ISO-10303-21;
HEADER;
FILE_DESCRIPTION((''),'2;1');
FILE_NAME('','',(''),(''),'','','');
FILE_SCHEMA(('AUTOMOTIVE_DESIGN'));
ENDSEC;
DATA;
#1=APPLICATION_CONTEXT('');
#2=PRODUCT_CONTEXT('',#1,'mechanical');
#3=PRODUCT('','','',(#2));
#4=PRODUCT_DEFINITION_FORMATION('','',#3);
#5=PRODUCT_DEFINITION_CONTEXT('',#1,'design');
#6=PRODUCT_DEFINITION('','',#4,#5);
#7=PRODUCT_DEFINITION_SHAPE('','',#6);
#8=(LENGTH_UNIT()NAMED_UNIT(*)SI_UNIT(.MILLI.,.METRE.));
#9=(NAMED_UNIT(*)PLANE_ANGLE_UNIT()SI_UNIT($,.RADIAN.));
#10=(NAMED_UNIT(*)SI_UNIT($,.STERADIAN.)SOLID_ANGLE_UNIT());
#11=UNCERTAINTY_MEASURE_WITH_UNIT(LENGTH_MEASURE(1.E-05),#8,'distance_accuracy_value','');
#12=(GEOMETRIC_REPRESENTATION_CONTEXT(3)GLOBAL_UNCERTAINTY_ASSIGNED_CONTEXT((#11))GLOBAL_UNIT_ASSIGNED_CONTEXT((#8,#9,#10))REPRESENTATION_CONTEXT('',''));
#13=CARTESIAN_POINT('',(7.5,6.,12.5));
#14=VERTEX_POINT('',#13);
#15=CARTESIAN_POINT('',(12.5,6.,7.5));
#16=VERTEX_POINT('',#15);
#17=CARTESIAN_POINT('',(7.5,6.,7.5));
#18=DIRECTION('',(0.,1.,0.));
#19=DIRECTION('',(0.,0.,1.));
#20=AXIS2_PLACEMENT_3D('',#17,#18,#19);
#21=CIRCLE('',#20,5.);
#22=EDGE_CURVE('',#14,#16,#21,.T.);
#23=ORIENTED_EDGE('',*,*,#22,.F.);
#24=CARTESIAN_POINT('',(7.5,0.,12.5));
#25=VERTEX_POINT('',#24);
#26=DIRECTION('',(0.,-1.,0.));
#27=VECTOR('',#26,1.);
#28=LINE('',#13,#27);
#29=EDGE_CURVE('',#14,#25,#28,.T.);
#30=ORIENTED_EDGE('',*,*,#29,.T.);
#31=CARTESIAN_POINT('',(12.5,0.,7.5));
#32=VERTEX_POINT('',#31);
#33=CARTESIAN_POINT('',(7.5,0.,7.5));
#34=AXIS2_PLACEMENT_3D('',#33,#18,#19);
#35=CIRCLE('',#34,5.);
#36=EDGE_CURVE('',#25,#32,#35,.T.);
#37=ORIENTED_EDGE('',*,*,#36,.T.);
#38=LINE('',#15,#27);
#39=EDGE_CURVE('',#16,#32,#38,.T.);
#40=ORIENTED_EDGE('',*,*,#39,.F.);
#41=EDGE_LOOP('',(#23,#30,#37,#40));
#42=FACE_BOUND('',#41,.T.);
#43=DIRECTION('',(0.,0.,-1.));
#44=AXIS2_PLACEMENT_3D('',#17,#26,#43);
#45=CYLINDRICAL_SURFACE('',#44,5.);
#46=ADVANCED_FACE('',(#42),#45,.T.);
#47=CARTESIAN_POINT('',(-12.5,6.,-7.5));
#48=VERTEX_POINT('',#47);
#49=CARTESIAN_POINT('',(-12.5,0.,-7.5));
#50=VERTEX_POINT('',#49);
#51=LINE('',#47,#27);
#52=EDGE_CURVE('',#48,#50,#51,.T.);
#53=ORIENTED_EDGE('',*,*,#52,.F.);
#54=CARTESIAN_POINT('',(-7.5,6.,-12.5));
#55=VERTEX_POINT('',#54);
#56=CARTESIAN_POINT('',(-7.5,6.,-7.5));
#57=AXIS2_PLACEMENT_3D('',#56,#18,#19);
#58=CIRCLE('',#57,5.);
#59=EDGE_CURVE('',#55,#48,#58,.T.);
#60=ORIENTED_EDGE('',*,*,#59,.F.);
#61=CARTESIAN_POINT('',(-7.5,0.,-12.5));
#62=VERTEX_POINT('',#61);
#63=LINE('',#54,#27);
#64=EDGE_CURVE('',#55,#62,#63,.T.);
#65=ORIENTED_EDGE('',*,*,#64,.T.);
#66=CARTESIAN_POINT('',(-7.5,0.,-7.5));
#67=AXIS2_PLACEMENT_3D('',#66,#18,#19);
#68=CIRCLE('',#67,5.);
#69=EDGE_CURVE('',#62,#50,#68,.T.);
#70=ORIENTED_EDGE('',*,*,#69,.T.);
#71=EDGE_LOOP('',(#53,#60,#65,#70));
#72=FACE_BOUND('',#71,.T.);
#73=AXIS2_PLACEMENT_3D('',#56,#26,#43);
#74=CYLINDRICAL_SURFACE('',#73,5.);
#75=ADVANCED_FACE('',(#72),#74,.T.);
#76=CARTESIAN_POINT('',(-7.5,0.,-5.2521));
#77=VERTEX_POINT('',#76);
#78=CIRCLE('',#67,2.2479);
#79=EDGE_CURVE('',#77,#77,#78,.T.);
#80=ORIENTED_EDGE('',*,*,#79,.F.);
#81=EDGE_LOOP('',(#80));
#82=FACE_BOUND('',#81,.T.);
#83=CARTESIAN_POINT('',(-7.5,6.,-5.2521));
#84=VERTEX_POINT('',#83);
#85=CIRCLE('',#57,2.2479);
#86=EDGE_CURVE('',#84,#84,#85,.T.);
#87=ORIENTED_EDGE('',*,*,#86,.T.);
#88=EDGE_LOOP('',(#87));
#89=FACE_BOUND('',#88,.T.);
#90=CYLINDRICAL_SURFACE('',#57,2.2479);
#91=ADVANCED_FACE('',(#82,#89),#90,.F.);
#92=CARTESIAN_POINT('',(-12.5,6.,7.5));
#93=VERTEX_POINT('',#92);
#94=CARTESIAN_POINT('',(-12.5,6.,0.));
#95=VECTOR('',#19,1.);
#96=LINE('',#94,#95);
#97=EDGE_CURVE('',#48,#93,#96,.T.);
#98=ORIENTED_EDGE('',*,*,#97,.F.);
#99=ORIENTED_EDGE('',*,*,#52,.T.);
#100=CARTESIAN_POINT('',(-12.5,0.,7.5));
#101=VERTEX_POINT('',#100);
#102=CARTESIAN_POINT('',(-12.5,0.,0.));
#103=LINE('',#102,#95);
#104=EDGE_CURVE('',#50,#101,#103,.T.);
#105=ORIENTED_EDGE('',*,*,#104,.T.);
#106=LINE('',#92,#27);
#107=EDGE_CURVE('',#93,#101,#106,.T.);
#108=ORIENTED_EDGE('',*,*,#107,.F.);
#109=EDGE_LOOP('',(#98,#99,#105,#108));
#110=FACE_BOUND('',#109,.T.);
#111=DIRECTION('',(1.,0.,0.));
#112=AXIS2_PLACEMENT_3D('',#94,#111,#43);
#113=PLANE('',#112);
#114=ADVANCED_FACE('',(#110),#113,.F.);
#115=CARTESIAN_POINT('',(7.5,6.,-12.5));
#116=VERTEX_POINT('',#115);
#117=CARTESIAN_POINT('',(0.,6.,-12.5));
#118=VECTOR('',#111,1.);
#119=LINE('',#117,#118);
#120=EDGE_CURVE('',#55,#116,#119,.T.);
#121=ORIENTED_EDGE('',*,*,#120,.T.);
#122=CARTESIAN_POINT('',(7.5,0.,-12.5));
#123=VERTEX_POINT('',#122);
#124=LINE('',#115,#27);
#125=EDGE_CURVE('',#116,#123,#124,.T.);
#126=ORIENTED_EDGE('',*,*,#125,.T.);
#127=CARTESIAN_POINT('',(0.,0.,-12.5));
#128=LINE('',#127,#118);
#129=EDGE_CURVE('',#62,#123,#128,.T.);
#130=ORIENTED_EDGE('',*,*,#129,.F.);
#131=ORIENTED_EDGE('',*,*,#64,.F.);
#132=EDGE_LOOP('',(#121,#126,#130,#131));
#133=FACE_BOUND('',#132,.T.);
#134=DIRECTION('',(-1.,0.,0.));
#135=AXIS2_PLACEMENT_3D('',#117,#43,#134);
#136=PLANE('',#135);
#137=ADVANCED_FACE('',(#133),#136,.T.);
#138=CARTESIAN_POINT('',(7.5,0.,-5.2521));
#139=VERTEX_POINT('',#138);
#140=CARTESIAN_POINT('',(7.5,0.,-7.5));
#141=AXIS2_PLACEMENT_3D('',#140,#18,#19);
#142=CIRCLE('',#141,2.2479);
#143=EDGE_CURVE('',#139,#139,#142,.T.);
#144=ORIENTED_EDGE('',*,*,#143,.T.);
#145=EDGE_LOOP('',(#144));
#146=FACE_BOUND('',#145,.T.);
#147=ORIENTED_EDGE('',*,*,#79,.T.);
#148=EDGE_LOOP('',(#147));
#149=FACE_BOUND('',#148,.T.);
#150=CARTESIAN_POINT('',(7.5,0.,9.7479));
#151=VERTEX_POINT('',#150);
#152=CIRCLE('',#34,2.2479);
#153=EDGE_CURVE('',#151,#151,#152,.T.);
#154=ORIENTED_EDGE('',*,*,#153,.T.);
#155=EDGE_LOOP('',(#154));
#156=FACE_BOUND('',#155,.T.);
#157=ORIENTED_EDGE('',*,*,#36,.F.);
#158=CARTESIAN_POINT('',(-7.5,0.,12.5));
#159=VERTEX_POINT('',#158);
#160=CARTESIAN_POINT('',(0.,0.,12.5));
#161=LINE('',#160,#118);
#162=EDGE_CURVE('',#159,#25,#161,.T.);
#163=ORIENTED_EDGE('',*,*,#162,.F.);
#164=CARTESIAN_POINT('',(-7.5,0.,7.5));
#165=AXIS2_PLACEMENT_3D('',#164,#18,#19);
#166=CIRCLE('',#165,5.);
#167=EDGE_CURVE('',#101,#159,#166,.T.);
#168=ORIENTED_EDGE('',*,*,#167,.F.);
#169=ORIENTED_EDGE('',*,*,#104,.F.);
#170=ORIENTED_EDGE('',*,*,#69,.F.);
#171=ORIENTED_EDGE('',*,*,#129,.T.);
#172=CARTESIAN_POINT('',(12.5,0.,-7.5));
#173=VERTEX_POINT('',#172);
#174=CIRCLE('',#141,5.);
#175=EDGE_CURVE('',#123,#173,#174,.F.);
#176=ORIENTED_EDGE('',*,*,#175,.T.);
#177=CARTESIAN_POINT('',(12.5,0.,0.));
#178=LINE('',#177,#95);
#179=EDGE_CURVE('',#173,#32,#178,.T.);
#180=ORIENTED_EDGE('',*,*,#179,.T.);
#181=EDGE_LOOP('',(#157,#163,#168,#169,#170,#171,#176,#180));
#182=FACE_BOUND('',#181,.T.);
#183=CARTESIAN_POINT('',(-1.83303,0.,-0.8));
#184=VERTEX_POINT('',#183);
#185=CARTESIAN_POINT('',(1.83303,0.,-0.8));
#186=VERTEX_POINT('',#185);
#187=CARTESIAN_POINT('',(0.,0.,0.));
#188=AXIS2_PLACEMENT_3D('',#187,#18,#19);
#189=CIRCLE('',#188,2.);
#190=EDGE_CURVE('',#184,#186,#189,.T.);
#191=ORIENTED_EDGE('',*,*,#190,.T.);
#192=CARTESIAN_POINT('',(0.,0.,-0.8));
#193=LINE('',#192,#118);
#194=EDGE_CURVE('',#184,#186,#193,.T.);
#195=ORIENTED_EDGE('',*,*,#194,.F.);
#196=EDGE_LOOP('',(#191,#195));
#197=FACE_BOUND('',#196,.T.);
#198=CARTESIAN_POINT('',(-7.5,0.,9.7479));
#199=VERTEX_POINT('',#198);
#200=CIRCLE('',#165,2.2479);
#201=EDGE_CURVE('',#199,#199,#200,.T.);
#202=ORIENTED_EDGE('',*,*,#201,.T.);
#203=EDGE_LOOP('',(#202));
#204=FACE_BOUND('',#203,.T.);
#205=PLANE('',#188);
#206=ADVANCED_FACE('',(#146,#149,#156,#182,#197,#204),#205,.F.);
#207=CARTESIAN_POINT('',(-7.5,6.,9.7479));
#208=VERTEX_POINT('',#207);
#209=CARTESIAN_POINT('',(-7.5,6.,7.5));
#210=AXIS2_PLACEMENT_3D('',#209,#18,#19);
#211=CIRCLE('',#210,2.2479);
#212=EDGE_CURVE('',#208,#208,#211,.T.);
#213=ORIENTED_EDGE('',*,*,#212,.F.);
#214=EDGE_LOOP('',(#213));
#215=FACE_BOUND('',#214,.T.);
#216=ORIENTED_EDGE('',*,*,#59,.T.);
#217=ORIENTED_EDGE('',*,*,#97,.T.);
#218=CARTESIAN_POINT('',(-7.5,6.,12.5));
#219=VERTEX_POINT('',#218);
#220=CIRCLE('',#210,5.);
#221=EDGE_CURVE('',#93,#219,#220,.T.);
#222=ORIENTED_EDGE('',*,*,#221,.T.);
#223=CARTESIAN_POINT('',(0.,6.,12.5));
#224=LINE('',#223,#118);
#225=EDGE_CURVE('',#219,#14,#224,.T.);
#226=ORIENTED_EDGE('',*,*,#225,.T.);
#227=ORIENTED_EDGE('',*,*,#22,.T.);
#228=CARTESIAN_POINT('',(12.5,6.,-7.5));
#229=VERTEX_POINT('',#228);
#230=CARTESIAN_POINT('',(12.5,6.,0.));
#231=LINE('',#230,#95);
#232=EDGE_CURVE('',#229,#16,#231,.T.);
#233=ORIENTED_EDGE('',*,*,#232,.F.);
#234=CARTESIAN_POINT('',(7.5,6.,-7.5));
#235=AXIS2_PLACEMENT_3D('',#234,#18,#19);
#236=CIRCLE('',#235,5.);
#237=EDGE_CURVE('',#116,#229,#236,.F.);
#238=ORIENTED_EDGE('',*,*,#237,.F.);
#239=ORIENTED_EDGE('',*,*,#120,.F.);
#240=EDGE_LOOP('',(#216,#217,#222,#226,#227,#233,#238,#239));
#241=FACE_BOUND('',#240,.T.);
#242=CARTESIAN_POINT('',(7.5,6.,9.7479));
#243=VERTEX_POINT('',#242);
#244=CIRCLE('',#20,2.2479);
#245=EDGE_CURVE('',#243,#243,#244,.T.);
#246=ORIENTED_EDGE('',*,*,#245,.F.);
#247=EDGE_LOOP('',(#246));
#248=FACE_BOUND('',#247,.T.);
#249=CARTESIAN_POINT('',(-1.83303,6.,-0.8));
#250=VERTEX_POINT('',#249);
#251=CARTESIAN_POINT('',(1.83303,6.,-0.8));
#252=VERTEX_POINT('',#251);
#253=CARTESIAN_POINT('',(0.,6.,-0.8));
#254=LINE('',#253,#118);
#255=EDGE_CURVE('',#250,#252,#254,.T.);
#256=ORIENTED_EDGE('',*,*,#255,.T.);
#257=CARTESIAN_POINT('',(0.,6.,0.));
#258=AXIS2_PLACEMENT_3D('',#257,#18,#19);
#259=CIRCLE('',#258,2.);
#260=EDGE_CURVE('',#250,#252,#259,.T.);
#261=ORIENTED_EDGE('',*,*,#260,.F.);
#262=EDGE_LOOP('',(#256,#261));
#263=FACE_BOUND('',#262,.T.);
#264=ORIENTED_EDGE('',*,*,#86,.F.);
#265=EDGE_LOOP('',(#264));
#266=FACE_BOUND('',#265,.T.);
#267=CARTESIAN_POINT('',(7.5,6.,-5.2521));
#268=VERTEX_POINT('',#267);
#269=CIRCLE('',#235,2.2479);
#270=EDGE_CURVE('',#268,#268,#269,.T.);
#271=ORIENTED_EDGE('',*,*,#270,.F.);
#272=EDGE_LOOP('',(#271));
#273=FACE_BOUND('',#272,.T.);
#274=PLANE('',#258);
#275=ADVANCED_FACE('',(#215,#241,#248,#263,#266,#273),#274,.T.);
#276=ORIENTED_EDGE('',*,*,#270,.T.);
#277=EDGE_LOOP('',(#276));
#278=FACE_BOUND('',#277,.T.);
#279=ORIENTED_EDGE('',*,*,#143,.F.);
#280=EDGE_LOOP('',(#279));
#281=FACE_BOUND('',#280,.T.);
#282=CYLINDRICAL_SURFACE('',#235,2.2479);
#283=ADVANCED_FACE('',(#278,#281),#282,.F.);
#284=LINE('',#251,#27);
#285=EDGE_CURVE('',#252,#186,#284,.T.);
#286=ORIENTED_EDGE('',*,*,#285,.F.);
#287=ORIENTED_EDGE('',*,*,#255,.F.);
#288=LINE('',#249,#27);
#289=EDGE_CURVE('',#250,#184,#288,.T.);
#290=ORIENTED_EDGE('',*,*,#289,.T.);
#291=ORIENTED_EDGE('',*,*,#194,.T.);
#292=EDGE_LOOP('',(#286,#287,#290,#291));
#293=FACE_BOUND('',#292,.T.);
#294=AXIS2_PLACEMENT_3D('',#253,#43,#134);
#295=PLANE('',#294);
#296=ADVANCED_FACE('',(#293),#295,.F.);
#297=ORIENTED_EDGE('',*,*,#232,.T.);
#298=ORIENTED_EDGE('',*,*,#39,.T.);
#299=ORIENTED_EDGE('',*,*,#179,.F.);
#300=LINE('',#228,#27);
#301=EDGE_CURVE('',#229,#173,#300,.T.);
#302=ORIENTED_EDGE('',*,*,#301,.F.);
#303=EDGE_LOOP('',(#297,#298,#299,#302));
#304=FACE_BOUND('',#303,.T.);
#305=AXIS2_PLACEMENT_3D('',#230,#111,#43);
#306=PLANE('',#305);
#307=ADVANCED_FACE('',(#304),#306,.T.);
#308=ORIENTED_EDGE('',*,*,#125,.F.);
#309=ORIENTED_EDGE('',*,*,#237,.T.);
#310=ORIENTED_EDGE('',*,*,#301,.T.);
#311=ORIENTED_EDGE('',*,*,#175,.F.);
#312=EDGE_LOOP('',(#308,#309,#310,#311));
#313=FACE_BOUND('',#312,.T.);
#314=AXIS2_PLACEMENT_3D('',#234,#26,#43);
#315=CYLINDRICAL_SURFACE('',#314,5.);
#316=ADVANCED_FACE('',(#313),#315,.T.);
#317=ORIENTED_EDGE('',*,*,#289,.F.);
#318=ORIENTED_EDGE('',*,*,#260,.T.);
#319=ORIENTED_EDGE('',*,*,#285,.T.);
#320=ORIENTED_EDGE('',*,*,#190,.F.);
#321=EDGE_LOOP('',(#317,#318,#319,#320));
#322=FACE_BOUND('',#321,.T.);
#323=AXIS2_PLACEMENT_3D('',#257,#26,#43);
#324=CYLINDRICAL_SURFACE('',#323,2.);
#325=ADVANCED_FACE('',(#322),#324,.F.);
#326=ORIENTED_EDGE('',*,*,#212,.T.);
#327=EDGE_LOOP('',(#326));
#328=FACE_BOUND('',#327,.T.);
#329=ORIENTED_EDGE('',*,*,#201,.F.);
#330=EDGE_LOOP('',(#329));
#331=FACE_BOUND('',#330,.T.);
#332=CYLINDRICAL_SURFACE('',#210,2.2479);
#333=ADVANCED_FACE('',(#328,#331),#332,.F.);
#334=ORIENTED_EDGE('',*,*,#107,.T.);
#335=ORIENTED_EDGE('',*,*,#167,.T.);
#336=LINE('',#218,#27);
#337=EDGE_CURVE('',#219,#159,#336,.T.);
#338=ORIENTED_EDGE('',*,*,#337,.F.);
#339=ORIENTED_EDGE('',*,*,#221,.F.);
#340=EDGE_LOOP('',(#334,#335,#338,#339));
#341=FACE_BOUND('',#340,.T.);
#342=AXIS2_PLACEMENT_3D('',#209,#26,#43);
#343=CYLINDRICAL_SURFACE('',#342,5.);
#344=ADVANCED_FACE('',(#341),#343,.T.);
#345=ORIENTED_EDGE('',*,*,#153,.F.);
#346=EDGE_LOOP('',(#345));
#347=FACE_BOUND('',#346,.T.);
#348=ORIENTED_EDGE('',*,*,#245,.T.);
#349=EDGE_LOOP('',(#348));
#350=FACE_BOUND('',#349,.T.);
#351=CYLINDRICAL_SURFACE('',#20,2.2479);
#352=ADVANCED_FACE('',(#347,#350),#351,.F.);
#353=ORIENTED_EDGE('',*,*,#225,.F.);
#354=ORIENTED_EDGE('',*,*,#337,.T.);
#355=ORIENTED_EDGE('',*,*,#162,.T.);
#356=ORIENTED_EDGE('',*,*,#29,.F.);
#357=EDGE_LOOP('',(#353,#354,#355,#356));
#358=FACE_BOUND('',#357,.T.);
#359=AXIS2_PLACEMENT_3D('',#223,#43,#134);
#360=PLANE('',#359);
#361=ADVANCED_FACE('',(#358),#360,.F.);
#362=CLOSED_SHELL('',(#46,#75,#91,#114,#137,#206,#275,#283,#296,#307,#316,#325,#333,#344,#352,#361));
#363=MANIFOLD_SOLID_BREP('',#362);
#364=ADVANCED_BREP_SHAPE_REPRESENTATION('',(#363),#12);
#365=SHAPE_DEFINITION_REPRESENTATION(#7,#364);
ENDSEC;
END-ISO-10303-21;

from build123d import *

# Parameters (mm, degrees)
BOSS_EXTRUDE1_DEPTH   = 6
F_8_CLEARANCE_HOLE1_D = 4.4958


with BuildPart() as part:
    # Sketch1 → Boss-Extrude1 (new body)
    with BuildSketch(Plane(origin=(0, 0, 0), x_dir=(1, 0, 0), z_dir=(0, 1, 0))):
        with BuildLine():
            Line((7.5, 12.5), (-7.5, 12.5))
            ThreePointArc((-7.5, 12.5), (-11.035533906, 11.035533906), (-12.5, 7.5))
            Line((-12.5, 7.5), (-12.5, -7.5))
            ThreePointArc((-12.5, -7.5), (-11.035533906, -11.035533906), (-7.5, -12.5))
            Line((-7.5, -12.5), (7.5, -12.5))
            ThreePointArc((7.5, -12.5), (11.035533906, -11.035533906), (12.5, -7.5))
            Line((12.5, -7.5), (12.5, 7.5))
            ThreePointArc((12.5, 7.5), (11.035533906, 11.035533906), (7.5, 12.5))
        make_face()
        with BuildLine():
            Line((-1.833030278, 0.8), (1.833030278, 0.8))
            ThreePointArc((1.833030278, 0.8), (0, -2), (-1.833030278, 0.8))
        make_face(mode=Mode.SUBTRACT)
    extrude(amount=BOSS_EXTRUDE1_DEPTH)

    # #8 Clearance Hole1 (through all)
    with Locations(Plane(origin=(0, 6, 0), x_dir=(1, 0, 0), z_dir=(0, 1, 0))):
        with Locations((-7.5, 7.5), (7.5, 7.5), (-7.5, -7.5), (7.5, -7.5)):
            Hole(F_8_CLEARANCE_HOLE1_D / 2)


solid = part.part
